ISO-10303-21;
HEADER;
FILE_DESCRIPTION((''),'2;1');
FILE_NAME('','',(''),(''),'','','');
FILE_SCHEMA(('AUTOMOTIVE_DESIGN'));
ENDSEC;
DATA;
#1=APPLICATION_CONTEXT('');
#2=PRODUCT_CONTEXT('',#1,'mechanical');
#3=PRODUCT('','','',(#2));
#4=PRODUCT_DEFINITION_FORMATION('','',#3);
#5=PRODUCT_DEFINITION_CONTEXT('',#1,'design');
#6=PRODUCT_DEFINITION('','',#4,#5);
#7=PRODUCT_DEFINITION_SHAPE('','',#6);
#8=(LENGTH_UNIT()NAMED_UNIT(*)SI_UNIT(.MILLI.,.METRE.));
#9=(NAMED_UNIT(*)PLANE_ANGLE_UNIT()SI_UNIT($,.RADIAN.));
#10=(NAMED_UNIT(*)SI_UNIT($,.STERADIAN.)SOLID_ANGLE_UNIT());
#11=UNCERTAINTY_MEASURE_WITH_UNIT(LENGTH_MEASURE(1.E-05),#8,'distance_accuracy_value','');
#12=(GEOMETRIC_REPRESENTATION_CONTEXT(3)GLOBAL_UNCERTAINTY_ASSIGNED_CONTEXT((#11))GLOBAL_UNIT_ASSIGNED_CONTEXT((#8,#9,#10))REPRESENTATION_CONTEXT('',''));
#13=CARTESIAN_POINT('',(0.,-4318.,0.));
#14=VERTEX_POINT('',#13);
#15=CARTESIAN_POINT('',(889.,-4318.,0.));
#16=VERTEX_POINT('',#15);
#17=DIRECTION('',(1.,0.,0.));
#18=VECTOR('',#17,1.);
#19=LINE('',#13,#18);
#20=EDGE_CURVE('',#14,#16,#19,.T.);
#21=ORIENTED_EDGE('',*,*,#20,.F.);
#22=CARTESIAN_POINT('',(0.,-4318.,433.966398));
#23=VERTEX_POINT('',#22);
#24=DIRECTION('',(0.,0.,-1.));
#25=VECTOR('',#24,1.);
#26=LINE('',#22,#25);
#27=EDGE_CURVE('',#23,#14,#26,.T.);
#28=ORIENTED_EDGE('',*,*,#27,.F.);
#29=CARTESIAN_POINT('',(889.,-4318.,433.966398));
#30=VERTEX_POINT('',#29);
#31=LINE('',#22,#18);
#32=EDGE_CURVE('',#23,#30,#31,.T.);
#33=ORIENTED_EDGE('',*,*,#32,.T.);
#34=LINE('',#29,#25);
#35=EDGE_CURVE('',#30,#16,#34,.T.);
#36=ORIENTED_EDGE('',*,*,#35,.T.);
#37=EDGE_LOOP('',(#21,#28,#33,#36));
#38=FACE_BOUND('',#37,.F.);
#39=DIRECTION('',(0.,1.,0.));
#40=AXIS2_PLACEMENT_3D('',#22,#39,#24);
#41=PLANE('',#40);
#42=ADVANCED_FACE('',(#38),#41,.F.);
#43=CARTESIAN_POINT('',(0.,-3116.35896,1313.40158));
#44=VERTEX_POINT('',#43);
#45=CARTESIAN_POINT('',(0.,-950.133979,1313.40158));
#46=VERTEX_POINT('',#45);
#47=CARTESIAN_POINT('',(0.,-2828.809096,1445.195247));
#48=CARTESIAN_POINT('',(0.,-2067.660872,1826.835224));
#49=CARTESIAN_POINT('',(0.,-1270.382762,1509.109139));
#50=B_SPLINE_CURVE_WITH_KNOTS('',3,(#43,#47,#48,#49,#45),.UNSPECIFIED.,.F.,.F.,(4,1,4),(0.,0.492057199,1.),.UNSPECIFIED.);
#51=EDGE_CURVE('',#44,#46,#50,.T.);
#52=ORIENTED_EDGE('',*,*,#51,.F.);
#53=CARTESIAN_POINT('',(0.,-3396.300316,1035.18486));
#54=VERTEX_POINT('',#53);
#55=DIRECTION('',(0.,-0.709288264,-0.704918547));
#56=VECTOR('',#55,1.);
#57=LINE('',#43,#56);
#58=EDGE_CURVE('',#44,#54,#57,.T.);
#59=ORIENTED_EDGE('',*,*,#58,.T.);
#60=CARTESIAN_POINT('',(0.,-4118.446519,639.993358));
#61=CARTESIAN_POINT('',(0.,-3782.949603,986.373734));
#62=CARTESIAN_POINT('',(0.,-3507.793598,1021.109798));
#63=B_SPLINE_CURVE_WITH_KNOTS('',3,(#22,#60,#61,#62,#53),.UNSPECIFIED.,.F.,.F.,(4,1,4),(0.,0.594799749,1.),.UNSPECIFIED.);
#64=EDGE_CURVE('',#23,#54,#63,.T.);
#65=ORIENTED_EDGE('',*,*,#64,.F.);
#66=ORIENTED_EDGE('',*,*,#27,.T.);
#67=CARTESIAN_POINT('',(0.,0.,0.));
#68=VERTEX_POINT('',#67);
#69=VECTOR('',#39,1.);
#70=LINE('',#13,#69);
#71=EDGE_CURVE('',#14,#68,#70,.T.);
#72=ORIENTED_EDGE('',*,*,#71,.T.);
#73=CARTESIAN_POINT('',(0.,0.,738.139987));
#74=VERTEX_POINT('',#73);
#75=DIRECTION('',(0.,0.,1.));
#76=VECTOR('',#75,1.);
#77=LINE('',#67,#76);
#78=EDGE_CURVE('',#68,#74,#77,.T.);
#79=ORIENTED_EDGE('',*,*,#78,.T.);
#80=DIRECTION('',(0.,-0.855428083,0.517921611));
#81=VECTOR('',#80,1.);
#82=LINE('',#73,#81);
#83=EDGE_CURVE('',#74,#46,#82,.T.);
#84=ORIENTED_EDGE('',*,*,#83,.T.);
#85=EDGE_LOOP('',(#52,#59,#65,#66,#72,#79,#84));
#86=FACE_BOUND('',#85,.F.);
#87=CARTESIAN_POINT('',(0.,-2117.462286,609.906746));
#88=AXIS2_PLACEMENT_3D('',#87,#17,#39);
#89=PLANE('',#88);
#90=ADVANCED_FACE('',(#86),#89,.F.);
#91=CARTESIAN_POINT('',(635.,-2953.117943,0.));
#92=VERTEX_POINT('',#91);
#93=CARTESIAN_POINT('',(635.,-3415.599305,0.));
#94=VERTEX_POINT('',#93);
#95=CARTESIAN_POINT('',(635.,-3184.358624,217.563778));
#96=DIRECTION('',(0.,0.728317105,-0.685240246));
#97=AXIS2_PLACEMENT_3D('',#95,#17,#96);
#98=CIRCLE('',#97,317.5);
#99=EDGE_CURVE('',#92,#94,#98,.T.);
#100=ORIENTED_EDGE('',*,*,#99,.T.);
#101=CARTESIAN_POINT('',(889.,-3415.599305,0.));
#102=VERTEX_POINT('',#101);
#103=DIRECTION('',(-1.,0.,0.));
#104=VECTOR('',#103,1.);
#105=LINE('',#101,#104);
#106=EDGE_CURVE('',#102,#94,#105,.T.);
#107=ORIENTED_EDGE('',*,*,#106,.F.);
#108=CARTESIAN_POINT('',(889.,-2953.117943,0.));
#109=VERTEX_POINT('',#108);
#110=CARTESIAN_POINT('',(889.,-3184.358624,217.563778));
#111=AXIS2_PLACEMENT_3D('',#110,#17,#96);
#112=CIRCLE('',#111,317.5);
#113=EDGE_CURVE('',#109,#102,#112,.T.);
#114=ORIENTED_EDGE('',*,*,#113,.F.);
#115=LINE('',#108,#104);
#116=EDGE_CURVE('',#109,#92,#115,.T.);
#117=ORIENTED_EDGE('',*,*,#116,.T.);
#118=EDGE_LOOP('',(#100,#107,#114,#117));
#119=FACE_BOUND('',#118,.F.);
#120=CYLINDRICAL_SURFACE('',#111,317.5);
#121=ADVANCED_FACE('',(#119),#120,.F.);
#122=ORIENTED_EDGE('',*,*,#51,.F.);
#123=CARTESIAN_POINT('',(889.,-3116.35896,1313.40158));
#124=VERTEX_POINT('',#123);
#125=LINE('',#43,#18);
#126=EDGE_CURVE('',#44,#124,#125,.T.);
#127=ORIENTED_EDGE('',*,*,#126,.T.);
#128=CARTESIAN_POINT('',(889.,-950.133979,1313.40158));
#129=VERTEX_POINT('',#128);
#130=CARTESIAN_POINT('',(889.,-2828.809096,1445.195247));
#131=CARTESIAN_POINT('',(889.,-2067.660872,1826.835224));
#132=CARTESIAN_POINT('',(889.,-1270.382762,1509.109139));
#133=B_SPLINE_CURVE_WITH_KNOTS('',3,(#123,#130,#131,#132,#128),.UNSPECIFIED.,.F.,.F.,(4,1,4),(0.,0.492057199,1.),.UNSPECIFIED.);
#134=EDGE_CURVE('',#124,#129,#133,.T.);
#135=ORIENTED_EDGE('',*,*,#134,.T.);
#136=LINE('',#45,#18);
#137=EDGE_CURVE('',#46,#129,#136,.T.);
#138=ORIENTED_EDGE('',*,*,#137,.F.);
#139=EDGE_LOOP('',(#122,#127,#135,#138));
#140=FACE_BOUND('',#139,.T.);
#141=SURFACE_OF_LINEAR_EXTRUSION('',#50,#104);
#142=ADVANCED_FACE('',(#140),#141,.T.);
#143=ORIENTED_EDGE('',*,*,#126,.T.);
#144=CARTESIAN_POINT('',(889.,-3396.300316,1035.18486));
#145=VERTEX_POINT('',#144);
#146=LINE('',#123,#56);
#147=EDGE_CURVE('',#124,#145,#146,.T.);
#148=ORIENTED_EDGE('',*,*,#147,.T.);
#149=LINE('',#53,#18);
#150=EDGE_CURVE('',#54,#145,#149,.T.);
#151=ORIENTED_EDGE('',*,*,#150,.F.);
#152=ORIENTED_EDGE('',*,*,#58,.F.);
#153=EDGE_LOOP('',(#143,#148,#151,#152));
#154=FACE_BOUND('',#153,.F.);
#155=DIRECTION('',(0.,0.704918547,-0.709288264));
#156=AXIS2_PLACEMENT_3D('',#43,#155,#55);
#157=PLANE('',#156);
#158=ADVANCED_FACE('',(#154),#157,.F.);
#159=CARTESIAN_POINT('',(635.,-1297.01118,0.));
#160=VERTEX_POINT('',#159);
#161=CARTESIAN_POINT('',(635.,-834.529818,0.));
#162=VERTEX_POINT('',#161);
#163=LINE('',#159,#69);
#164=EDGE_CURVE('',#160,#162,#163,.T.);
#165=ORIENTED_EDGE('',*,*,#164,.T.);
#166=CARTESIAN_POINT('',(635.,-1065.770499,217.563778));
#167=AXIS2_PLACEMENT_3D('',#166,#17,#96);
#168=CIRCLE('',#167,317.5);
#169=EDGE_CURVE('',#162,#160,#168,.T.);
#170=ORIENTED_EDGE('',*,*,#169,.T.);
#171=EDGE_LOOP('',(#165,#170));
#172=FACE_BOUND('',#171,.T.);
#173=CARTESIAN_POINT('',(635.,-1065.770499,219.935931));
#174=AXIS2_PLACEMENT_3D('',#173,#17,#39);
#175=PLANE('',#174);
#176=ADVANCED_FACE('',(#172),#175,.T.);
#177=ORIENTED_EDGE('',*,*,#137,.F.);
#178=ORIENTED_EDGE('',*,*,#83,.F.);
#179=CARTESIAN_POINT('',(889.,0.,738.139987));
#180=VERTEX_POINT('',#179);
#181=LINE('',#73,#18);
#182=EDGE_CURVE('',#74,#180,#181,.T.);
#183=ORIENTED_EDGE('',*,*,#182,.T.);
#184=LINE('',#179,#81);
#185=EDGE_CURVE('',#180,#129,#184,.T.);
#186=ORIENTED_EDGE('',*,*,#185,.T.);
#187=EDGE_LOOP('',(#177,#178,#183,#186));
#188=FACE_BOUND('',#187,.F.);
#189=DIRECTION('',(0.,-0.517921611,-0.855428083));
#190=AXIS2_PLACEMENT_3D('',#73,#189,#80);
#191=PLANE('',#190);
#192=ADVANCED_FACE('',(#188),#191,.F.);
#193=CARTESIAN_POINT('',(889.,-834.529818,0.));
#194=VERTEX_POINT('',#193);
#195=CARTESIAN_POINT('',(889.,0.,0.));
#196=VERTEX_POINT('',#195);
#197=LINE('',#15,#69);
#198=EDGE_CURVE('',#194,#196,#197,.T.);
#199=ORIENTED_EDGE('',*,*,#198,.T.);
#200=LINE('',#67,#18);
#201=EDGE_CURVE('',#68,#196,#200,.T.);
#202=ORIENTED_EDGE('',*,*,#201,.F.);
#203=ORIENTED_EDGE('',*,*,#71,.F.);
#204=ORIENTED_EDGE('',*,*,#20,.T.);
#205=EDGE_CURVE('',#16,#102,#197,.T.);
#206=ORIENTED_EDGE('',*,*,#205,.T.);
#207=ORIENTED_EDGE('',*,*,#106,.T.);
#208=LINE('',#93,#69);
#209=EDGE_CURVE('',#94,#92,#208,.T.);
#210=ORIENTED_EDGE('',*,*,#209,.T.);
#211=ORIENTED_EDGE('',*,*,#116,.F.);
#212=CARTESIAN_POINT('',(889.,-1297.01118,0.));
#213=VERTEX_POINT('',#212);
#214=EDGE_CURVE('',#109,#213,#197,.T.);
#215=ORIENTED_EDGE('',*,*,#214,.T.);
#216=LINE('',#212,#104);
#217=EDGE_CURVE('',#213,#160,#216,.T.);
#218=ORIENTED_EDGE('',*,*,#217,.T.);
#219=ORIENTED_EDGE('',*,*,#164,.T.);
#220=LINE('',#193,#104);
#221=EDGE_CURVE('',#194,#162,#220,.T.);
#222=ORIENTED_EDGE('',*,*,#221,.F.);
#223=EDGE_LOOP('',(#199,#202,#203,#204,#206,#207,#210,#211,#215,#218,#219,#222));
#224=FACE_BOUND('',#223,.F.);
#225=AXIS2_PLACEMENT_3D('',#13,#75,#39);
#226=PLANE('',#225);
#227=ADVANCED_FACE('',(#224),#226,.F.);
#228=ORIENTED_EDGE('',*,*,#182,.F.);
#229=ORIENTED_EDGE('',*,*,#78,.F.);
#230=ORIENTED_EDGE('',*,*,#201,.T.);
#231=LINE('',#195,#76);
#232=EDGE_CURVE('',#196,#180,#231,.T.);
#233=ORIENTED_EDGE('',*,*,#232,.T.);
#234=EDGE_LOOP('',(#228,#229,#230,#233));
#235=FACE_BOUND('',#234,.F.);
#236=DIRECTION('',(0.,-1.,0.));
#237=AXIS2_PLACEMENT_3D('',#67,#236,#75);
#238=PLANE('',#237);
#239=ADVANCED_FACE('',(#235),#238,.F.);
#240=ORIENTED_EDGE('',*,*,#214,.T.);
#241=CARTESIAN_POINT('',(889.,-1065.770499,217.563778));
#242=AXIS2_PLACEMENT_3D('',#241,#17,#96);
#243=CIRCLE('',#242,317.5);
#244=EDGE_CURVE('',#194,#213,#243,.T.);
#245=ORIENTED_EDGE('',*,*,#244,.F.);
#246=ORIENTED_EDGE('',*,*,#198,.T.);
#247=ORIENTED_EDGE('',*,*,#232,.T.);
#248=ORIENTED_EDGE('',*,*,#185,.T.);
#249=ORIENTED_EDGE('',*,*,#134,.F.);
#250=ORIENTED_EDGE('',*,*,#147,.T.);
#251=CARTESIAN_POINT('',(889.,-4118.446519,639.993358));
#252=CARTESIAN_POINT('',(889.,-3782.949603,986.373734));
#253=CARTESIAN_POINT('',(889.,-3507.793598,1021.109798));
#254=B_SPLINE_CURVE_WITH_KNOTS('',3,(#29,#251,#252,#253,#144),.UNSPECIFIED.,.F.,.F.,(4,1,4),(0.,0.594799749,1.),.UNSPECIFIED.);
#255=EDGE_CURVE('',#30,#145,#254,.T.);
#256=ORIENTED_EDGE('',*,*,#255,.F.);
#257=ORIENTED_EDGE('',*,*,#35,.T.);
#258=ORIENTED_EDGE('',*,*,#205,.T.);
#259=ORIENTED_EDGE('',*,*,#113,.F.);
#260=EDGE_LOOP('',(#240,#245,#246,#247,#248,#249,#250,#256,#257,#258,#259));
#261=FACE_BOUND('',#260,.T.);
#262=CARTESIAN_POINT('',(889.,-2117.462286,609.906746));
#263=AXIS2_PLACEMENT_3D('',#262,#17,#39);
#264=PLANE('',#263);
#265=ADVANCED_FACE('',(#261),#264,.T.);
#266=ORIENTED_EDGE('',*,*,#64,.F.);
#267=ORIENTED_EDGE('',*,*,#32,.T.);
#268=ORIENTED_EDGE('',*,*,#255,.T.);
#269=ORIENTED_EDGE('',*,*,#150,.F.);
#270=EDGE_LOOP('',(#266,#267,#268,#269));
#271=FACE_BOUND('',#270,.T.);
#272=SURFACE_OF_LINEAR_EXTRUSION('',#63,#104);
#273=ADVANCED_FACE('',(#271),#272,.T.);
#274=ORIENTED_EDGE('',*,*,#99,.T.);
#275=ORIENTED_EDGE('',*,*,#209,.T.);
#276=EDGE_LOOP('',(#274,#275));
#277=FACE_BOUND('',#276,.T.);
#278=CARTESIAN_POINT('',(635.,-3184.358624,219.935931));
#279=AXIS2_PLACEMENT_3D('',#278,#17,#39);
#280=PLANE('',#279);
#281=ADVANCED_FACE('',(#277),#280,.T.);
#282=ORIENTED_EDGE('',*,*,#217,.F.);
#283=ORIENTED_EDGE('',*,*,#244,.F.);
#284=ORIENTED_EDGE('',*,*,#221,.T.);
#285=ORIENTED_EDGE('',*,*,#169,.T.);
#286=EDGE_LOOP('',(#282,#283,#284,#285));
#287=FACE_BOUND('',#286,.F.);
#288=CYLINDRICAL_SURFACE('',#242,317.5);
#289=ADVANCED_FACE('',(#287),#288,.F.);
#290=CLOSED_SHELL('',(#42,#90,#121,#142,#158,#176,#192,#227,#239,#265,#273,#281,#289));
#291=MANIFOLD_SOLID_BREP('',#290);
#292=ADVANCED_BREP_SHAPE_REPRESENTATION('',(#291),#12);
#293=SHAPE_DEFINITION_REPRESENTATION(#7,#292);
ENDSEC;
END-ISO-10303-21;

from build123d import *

# Parameters (mm, degrees)
F1_DEPTH = 889
F3_DEPTH = 254


with BuildPart() as f1:
    # F0 (on Right) → F1 (new body)
    with BuildSketch(Plane.YZ):
        with BuildLine():
            Line((-4318, 0), (0, 0))
            Line((0, 0), (0, 738.1399869919))
            Line((0, 738.1399869919), (-950.1339793205, 1313.4015798569))
            add(Edge.make_bspline(
                [(-3116.3589595044, 1313.4015798569), (-2828.8090955066, 1445.195247453), (-2067.6608718539, 1826.8352239431), (-1270.3827619553, 1509.1091394424), (-950.1339793205, 1313.4015798569)],
                knots=[0, 0, 0, 0, 0.4920571993, 1, 1, 1, 1], degree=3))
            Line((-3116.3589595044, 1313.4015798569), (-3396.3003158569, 1035.1848602295))
            add(Edge.make_bspline(
                [(-4318, 433.9663982391), (-4118.4465186343, 639.9933583912), (-3782.9496026472, 986.3737335576), (-3507.7935980343, 1021.1097981374), (-3396.3003158569, 1035.1848602295)],
                knots=[0, 0, 0, 0, 0.5947997488, 1, 1, 1, 1], degree=3))
            Line((-4318, 433.9663982391), (-4318, 0))
        make_face()
    extrude(amount=F1_DEPTH)

    # F2 (on face) → F3 (cut)
    with BuildSketch(Plane.YZ.offset(889)):
        with BuildLine():
            ThreePointArc((-748.2704991237, 217.563778162), (-1182.7904415761, 512.71218671), (-1297.0111798697, 0))
            Line((-1297.0111798697, 0), (-834.5298183776, 0))
            ThreePointArc((-834.5298183777, 0), (-770.6220905756, 100.5438357096), (-748.2704991237, 217.563778162))
        make_face()
        with BuildLine():
            ThreePointArc((-2953.1179430142, 0), (-2889.2102152122, 100.5438357096), (-2866.8586237603, 217.563778162))
            ThreePointArc((-2866.8586237603, 217.563778162), (-3301.3785662127, 512.71218671), (-3415.5993045063, 0))
            Line((-3415.5993045062, 0), (-2953.1179430142, 0))
        make_face()
    extrude(amount=-F3_DEPTH, mode=Mode.SUBTRACT)


solid = f1.part
